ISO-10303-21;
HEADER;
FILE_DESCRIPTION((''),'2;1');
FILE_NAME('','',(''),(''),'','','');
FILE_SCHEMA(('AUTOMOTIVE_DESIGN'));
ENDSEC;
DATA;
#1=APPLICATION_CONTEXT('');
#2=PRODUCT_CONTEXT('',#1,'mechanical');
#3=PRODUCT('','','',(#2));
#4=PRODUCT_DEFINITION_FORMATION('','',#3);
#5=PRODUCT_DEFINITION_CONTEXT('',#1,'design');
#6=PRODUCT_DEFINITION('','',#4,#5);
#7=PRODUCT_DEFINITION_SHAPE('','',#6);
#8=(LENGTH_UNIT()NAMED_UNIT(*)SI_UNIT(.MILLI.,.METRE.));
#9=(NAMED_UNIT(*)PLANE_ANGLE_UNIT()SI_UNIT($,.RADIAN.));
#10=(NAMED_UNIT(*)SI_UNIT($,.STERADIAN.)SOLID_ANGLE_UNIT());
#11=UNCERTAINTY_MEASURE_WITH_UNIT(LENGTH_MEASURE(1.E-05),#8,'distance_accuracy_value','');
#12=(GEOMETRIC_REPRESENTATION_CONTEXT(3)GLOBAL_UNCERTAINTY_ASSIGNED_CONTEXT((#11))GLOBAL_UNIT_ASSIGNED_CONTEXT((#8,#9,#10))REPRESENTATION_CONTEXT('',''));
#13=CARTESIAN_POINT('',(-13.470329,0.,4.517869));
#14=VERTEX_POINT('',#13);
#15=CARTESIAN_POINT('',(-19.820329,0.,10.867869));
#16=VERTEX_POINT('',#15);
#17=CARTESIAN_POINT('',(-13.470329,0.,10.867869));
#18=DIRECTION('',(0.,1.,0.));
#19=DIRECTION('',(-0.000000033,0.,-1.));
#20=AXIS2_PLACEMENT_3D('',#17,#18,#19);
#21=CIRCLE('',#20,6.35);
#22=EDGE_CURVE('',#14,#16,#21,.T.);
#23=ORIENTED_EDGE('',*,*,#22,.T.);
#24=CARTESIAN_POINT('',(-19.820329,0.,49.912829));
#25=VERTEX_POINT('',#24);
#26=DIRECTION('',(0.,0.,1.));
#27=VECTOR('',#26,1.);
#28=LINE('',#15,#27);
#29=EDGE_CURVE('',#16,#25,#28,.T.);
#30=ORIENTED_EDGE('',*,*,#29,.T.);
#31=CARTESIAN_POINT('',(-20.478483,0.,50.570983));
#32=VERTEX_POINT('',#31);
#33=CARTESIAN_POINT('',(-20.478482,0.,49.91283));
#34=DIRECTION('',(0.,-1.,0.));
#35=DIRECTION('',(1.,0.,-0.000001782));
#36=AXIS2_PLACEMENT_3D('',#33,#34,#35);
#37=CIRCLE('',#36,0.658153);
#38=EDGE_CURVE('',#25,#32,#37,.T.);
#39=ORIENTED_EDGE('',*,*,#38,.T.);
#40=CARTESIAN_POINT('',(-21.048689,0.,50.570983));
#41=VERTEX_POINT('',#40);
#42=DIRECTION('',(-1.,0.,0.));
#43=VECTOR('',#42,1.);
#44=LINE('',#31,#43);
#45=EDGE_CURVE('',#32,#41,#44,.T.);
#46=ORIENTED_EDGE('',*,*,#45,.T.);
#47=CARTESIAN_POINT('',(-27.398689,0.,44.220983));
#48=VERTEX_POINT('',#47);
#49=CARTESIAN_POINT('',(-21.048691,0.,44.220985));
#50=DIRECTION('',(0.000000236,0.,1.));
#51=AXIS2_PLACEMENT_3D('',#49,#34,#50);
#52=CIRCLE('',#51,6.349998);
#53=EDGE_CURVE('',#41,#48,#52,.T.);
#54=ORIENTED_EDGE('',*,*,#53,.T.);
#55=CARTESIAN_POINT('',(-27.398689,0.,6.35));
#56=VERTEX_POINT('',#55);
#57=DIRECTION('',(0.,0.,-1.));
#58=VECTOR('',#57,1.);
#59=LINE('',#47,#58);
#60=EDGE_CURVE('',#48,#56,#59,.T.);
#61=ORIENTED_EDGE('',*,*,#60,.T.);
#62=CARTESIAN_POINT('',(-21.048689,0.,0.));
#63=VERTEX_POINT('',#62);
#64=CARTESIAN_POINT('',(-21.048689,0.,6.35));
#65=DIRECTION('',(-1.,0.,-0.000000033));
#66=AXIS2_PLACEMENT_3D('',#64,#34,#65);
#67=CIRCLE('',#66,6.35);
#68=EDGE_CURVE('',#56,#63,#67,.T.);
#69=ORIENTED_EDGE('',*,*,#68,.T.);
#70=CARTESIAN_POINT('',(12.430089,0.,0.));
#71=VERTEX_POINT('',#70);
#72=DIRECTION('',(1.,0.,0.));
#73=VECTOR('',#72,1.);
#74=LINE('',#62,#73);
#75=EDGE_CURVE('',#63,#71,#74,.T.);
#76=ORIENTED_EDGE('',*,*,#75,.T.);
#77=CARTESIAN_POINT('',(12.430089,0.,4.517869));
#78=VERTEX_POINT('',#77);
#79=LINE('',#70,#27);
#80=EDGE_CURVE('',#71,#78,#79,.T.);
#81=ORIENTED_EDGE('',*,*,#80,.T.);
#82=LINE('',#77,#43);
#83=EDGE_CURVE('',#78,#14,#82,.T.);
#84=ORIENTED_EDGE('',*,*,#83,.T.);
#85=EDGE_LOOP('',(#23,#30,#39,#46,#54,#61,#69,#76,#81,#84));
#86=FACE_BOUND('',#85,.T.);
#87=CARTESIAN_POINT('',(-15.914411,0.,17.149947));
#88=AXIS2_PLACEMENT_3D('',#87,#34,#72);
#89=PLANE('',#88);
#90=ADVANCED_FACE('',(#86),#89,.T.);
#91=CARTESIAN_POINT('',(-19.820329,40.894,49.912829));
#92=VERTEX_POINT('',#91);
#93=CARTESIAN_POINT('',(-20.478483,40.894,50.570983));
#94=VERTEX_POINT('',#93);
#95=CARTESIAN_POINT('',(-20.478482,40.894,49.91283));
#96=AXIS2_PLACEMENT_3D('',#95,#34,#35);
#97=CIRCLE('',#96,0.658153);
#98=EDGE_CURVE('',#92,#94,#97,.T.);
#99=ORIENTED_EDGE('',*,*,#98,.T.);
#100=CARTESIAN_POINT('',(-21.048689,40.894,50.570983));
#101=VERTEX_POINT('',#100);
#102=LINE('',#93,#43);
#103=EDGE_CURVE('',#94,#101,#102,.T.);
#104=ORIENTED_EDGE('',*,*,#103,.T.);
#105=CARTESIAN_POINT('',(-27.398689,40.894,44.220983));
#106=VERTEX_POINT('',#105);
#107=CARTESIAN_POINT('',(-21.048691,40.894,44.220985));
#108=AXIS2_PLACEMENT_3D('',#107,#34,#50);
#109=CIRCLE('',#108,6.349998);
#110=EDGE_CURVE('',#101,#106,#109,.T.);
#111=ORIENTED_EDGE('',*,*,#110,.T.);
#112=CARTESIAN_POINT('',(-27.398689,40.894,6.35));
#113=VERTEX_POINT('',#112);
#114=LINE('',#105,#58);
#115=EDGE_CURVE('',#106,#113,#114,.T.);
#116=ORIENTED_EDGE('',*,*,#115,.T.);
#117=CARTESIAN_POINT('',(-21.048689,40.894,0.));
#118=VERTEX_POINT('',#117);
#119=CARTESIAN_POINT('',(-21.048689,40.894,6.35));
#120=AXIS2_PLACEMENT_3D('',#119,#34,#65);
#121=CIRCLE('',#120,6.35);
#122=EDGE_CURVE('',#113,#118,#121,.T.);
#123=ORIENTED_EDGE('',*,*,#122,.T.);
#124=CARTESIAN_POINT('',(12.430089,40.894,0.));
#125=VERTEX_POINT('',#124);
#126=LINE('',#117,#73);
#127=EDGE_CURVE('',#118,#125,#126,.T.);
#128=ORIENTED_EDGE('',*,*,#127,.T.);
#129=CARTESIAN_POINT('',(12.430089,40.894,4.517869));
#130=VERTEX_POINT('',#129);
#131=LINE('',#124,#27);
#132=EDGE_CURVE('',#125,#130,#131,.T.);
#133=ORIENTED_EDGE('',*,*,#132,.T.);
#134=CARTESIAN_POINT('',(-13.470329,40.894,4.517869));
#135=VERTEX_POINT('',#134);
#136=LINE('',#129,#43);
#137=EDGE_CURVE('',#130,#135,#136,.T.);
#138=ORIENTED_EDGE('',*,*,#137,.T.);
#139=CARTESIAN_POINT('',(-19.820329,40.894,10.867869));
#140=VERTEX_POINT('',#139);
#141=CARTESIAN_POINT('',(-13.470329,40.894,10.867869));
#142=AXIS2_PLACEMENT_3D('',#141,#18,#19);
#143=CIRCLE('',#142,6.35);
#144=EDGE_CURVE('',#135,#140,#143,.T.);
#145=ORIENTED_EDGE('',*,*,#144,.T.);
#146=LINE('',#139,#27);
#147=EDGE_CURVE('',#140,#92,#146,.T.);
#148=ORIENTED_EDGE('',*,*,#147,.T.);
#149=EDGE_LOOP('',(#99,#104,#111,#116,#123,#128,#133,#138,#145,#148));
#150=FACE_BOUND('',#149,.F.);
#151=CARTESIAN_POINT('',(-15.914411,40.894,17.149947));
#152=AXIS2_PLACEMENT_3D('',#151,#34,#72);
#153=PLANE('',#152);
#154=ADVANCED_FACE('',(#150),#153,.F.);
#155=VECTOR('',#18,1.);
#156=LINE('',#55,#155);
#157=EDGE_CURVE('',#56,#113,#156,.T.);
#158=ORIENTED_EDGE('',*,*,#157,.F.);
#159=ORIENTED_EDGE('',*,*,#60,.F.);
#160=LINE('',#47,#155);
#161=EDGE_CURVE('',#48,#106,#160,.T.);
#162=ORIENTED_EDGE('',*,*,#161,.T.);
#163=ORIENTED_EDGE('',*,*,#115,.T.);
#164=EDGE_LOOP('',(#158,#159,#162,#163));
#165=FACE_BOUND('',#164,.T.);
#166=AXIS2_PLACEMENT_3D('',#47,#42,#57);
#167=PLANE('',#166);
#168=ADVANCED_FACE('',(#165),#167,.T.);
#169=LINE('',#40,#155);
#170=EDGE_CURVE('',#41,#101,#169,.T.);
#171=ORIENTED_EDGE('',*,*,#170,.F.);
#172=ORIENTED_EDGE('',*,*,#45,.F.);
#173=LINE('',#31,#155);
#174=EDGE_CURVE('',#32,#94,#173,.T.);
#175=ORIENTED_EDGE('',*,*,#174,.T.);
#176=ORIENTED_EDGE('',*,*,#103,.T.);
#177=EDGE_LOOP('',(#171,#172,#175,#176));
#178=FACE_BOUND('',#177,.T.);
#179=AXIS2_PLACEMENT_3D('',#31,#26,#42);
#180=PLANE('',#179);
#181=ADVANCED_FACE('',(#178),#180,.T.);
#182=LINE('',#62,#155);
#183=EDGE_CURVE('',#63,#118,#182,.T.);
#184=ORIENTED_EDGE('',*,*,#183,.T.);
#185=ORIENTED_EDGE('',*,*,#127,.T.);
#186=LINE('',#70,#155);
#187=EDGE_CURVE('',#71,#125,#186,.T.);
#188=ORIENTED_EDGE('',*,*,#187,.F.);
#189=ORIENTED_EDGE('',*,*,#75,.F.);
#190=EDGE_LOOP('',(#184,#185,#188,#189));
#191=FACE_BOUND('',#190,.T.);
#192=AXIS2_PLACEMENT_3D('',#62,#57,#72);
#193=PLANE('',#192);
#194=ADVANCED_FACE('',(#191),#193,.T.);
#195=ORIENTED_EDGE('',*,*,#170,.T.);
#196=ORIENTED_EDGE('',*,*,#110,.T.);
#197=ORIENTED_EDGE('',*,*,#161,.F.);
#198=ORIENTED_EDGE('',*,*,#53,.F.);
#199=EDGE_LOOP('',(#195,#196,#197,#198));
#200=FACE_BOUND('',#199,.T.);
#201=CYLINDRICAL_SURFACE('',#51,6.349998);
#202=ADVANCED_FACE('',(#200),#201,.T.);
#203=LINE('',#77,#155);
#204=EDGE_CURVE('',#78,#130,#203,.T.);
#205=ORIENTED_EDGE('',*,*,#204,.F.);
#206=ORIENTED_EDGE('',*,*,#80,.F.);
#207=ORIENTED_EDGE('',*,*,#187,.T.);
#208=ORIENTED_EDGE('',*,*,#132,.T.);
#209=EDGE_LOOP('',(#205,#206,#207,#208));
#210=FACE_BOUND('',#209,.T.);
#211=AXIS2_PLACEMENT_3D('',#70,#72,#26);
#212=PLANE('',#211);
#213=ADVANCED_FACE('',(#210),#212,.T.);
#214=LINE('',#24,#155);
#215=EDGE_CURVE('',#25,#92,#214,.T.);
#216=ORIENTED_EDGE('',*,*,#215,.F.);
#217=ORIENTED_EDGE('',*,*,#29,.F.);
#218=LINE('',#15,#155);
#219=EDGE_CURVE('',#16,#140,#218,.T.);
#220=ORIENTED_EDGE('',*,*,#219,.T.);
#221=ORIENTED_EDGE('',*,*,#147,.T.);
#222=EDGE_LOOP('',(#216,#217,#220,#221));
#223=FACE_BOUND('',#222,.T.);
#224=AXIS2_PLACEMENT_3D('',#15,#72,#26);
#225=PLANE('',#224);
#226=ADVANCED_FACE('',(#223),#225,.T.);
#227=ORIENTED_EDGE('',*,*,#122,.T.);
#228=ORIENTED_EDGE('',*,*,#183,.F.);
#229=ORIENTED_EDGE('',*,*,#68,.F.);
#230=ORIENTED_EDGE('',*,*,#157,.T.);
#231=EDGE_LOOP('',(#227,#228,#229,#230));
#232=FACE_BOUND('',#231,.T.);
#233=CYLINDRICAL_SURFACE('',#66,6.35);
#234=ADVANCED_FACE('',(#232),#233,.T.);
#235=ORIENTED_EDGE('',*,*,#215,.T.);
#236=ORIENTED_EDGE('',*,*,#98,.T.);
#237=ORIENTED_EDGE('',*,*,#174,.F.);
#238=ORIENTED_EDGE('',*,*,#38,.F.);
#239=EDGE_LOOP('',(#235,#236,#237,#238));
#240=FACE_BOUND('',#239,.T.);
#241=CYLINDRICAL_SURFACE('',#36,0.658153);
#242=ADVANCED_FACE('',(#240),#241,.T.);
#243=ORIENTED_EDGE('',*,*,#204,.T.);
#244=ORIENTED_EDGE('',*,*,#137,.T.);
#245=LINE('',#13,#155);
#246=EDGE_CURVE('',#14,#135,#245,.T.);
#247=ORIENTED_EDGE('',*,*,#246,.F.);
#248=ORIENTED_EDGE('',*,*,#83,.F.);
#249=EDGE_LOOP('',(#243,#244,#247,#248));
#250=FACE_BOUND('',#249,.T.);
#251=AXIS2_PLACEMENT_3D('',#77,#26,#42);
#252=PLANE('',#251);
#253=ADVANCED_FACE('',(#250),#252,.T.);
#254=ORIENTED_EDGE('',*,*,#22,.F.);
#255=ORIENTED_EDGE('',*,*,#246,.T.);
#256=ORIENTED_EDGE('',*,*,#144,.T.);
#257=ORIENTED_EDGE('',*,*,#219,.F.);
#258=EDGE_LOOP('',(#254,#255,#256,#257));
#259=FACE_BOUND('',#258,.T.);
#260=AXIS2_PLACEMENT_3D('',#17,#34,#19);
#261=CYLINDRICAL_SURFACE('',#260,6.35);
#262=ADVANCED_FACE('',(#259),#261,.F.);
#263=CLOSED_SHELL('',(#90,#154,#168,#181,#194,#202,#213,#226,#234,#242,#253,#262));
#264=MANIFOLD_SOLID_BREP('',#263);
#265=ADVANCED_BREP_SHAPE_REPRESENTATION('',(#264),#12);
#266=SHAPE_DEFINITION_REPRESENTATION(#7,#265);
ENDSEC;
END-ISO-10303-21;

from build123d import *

# Parameters (mm, degrees)
F1_DEPTH = 40.894


with BuildPart() as f1:
    # F0 (on Front) → F1 (new body)
    with BuildSketch(Plane.XZ):
        with BuildLine():
            Line((-26.524263, 21.714916), (-19.820329, 19.740981))
            Line((-19.820329, 19.740981), (-19.820329, 49.912829))
            ThreePointArc((-19.820329, 49.912829), (-20.013098, 50.378215), (-20.478483, 50.570983))
            Line((-20.478483, 50.570983), (-21.048689, 50.570983))
            ThreePointArc((-21.048689, 50.570983), (-25.538817, 48.711112), (-27.398689, 44.220983))
            Line((-27.398689, 44.220983), (-27.398689, 6.35))
            ThreePointArc((-27.398689, 6.35), (-25.538817, 1.859872), (-21.048689, 0))
            Line((-21.048689, 0), (0, 0))
            Line((0, 0), (12.430089, 0))
            Line((12.430089, 0), (12.430089, 4.517869))
            Line((12.430089, 4.517869), (0, 4.517869))
            Line((0, 4.517869), (-13.470329, 4.517869))
            ThreePointArc((-13.470329, 4.517869), (-17.960457, 6.377741), (-19.820329, 10.867869))
            Line((-19.820329, 10.867869), (-19.820329, 15.958715))
            Line((-19.820329, 15.958715), (-26.524263, 17.925737))
            Line((-26.524263, 17.925737), (-26.524263, 21.714916))
        make_face()
        Polygon((-19.820329, 15.958715), (-19.820329, 19.740981), (-26.524263, 21.714916), (-26.524263, 17.925737), align=None)
    extrude(amount=-F1_DEPTH)


solid = f1.part
